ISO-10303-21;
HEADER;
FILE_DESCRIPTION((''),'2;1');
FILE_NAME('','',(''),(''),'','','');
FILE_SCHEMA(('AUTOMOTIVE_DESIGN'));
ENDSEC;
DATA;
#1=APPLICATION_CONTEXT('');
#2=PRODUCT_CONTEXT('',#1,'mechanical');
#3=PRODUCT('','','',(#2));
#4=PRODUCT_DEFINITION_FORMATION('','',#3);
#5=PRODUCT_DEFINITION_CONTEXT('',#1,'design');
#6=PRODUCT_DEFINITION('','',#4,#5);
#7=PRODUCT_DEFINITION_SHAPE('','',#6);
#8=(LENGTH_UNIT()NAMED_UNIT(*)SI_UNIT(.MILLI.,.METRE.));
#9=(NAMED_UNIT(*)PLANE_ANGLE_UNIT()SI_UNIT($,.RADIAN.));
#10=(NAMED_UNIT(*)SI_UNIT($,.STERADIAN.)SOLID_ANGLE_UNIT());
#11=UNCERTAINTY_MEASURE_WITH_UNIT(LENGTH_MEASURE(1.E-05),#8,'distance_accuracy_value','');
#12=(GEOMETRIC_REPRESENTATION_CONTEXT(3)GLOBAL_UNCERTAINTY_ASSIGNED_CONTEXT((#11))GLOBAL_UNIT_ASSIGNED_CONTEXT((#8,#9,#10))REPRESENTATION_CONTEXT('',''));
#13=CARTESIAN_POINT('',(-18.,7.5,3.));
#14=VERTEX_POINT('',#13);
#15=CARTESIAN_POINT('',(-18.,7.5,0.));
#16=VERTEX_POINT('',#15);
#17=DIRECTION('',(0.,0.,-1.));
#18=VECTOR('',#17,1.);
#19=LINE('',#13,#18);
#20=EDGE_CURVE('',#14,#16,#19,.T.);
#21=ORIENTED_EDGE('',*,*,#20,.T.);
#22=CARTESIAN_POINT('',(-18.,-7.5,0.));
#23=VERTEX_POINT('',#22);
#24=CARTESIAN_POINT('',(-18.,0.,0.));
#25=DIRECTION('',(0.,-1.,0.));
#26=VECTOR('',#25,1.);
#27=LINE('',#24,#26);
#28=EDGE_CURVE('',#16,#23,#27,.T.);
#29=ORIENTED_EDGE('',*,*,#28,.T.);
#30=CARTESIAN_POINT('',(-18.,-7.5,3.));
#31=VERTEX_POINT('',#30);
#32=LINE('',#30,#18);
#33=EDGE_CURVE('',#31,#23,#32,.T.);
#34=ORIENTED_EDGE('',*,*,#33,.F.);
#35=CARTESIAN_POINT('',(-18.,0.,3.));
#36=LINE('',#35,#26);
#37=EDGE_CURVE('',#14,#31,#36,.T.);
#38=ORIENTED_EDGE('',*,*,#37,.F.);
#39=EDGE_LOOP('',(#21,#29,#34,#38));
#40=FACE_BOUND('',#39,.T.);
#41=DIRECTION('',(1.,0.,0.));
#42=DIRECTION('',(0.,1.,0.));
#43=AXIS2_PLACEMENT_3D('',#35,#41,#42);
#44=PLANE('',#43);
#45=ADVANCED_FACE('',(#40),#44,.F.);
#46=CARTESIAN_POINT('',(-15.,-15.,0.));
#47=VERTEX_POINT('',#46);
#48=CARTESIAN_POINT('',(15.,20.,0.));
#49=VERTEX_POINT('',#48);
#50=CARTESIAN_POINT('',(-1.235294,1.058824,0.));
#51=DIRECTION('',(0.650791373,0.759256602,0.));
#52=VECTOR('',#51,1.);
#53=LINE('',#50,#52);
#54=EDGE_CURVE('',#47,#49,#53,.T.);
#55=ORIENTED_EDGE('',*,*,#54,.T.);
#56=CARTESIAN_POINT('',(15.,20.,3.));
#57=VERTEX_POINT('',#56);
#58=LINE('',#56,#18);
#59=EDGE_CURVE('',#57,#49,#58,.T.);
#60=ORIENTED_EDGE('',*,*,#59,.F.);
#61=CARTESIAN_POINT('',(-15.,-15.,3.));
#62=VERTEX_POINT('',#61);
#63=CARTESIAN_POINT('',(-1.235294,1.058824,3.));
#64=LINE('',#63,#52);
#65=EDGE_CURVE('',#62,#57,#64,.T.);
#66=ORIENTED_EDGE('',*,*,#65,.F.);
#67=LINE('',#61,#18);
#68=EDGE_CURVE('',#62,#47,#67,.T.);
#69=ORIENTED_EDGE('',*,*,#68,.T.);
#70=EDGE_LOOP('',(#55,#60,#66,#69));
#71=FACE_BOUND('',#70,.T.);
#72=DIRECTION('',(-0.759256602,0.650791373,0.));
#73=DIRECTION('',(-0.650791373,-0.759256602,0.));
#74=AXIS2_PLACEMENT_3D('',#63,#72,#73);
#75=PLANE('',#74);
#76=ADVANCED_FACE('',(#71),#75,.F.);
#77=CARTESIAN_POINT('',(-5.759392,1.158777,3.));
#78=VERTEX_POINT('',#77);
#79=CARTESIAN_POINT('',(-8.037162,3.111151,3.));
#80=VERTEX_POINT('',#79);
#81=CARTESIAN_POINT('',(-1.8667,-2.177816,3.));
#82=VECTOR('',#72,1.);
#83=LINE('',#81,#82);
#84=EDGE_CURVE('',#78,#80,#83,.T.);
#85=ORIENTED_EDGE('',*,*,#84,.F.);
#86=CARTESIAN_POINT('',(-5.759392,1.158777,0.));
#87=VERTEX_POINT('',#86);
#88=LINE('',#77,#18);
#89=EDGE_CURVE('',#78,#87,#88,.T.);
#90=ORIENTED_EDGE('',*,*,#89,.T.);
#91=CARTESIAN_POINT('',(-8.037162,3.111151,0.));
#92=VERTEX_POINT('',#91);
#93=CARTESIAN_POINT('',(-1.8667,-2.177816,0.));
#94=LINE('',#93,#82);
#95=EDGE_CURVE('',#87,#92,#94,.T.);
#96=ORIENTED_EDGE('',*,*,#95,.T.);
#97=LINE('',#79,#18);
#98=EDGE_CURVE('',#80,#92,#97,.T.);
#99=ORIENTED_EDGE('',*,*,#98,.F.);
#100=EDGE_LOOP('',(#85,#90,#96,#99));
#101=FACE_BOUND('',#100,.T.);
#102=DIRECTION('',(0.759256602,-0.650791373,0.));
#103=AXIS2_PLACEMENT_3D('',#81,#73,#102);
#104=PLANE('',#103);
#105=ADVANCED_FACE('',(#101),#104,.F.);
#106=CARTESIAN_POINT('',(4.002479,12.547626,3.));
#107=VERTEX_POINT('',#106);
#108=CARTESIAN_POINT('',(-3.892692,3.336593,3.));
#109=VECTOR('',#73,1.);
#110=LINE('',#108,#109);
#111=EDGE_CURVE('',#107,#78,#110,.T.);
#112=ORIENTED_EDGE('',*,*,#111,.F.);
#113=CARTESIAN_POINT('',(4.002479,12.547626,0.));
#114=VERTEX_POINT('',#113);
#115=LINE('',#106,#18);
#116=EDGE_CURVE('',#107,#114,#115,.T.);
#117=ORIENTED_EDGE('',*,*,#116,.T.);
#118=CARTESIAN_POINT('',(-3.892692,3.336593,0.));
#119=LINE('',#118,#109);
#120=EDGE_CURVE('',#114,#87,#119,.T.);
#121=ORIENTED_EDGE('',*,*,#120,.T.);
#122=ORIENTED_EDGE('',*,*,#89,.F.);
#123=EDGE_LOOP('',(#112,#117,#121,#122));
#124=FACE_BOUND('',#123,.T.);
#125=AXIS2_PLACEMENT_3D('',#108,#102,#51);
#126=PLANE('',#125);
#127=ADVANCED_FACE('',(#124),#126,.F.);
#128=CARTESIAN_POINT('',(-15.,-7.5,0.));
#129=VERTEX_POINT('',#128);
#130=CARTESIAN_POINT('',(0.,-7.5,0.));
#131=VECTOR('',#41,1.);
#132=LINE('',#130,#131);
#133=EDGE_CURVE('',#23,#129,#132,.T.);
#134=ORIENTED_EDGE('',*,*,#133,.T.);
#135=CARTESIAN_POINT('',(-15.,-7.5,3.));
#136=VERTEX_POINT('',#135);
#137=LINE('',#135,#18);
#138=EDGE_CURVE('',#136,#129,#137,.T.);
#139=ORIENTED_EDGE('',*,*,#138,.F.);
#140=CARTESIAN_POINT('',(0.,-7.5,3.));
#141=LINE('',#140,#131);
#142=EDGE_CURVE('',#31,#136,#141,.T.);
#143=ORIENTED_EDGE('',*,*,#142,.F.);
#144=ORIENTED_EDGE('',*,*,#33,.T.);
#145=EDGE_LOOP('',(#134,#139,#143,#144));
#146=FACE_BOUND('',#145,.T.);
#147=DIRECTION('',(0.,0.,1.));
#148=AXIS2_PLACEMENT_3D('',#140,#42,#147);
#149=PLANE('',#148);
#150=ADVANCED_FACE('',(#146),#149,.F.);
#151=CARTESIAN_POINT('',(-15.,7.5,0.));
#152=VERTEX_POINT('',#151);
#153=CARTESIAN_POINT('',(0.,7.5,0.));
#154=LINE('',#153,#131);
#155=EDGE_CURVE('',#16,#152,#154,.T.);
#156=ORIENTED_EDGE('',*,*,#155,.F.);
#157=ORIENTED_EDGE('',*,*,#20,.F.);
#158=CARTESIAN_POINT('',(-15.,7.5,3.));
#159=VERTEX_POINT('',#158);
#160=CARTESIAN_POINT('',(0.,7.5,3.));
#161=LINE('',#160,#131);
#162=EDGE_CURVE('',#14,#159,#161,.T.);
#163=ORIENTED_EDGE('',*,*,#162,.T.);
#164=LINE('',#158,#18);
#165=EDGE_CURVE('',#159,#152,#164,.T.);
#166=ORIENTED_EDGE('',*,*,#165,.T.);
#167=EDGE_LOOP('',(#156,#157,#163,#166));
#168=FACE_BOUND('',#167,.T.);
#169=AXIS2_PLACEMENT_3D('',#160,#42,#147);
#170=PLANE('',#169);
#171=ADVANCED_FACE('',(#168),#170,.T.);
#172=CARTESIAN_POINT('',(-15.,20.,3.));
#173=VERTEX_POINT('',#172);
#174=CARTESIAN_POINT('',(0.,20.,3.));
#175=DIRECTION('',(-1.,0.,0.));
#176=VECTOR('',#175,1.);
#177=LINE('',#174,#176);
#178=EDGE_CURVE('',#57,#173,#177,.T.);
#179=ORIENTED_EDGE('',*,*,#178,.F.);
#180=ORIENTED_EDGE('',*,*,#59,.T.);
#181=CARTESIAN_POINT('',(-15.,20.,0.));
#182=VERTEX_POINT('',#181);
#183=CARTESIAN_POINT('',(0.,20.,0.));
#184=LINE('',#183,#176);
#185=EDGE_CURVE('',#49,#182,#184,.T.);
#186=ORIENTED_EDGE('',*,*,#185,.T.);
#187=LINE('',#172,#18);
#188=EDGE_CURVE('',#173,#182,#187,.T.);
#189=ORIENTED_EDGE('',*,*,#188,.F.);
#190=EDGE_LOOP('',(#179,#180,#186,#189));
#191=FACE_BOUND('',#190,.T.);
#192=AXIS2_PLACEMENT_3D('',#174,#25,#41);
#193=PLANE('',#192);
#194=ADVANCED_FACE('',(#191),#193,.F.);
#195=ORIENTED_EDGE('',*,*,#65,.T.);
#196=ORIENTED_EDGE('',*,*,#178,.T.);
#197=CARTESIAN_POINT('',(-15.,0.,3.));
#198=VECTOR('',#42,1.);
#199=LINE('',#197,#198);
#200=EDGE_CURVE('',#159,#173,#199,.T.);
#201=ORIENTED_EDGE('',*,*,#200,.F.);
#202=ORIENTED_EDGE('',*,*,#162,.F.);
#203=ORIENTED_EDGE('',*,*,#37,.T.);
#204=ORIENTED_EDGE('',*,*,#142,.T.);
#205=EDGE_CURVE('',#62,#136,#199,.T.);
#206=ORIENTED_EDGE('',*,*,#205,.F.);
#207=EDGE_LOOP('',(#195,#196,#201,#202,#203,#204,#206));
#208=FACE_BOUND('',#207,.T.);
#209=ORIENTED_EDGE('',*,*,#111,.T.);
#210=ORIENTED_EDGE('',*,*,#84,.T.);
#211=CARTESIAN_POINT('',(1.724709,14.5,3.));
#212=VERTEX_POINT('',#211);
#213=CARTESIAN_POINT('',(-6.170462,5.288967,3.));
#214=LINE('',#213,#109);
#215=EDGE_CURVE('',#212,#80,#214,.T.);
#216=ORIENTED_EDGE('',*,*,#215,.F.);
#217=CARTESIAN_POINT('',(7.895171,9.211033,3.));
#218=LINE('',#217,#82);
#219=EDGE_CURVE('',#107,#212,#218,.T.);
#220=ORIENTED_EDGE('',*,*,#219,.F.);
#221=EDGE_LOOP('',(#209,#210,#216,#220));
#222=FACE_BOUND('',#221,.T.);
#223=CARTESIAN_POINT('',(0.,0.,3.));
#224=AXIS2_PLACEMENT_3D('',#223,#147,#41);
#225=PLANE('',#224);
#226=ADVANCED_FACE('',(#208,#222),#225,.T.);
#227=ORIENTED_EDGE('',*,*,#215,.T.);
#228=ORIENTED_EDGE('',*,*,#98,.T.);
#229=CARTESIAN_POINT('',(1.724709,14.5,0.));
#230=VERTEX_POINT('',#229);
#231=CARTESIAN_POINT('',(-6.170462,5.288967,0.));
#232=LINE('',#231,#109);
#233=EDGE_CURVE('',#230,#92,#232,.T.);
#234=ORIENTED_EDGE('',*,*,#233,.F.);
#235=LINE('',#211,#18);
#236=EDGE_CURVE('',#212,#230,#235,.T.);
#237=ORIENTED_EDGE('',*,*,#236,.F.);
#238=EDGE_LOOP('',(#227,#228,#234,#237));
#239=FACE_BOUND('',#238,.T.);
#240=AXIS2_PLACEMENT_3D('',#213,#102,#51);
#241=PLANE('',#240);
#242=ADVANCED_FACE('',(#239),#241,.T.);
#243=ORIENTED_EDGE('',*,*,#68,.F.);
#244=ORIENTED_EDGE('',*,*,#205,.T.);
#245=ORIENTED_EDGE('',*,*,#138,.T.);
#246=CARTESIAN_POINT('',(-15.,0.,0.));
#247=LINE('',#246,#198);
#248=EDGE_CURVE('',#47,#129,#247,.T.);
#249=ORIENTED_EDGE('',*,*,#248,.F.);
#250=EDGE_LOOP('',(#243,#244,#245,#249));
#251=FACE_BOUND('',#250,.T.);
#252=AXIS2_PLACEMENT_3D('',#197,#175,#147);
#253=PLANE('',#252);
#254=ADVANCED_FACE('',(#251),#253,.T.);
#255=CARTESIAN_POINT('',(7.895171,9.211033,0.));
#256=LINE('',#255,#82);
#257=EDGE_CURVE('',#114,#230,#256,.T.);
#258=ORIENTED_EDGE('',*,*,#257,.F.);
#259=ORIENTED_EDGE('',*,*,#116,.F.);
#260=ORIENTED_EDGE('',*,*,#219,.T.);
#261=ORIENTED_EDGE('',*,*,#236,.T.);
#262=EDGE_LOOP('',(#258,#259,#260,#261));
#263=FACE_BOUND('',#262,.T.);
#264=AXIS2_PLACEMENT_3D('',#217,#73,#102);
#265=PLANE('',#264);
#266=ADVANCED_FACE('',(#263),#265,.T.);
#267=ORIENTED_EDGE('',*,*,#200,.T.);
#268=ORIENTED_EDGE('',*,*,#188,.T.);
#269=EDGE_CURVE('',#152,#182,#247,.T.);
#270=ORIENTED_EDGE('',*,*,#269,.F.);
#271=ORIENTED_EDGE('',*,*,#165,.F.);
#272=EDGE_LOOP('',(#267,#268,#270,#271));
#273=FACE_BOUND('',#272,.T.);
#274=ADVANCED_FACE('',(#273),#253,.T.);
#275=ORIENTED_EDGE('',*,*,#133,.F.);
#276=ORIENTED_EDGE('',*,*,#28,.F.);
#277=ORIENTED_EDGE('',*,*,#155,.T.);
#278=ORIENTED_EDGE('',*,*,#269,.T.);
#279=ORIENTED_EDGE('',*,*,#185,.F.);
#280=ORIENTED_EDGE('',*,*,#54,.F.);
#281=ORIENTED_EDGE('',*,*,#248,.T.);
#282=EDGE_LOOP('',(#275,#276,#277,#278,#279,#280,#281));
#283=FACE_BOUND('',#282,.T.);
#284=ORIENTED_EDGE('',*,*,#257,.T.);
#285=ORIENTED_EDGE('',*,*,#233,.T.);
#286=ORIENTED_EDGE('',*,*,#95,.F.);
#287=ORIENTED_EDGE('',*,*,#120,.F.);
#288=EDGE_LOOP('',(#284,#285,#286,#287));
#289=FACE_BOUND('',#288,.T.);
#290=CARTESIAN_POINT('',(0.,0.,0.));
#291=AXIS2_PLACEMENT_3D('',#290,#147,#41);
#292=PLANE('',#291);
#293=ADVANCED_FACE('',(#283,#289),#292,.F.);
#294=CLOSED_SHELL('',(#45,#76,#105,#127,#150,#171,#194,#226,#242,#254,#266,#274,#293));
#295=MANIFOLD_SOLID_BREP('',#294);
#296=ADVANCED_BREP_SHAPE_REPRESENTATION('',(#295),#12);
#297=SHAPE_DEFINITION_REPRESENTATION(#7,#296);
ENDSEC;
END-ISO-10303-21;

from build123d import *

# Parameters (mm, degrees)
BOSS_EXTRUDE1_DEPTH = 3


with BuildPart() as part:
    # Sketch1 → Boss-Extrude1 (new body)
    with BuildSketch(Plane.XY):
        Polygon((-15, -15), (15, 20), (-15, 20), (-15, 7.5), (-18, 7.5), (-18, -7.5), (-15, -7.5), align=None)
        Polygon((1.724708718, 14.5), (4.002478525, 12.54762588), (-5.759392077, 1.158776844), (-8.037161884, 3.111150965), align=None, mode=Mode.SUBTRACT)
    extrude(amount=BOSS_EXTRUDE1_DEPTH)


solid = part.part
